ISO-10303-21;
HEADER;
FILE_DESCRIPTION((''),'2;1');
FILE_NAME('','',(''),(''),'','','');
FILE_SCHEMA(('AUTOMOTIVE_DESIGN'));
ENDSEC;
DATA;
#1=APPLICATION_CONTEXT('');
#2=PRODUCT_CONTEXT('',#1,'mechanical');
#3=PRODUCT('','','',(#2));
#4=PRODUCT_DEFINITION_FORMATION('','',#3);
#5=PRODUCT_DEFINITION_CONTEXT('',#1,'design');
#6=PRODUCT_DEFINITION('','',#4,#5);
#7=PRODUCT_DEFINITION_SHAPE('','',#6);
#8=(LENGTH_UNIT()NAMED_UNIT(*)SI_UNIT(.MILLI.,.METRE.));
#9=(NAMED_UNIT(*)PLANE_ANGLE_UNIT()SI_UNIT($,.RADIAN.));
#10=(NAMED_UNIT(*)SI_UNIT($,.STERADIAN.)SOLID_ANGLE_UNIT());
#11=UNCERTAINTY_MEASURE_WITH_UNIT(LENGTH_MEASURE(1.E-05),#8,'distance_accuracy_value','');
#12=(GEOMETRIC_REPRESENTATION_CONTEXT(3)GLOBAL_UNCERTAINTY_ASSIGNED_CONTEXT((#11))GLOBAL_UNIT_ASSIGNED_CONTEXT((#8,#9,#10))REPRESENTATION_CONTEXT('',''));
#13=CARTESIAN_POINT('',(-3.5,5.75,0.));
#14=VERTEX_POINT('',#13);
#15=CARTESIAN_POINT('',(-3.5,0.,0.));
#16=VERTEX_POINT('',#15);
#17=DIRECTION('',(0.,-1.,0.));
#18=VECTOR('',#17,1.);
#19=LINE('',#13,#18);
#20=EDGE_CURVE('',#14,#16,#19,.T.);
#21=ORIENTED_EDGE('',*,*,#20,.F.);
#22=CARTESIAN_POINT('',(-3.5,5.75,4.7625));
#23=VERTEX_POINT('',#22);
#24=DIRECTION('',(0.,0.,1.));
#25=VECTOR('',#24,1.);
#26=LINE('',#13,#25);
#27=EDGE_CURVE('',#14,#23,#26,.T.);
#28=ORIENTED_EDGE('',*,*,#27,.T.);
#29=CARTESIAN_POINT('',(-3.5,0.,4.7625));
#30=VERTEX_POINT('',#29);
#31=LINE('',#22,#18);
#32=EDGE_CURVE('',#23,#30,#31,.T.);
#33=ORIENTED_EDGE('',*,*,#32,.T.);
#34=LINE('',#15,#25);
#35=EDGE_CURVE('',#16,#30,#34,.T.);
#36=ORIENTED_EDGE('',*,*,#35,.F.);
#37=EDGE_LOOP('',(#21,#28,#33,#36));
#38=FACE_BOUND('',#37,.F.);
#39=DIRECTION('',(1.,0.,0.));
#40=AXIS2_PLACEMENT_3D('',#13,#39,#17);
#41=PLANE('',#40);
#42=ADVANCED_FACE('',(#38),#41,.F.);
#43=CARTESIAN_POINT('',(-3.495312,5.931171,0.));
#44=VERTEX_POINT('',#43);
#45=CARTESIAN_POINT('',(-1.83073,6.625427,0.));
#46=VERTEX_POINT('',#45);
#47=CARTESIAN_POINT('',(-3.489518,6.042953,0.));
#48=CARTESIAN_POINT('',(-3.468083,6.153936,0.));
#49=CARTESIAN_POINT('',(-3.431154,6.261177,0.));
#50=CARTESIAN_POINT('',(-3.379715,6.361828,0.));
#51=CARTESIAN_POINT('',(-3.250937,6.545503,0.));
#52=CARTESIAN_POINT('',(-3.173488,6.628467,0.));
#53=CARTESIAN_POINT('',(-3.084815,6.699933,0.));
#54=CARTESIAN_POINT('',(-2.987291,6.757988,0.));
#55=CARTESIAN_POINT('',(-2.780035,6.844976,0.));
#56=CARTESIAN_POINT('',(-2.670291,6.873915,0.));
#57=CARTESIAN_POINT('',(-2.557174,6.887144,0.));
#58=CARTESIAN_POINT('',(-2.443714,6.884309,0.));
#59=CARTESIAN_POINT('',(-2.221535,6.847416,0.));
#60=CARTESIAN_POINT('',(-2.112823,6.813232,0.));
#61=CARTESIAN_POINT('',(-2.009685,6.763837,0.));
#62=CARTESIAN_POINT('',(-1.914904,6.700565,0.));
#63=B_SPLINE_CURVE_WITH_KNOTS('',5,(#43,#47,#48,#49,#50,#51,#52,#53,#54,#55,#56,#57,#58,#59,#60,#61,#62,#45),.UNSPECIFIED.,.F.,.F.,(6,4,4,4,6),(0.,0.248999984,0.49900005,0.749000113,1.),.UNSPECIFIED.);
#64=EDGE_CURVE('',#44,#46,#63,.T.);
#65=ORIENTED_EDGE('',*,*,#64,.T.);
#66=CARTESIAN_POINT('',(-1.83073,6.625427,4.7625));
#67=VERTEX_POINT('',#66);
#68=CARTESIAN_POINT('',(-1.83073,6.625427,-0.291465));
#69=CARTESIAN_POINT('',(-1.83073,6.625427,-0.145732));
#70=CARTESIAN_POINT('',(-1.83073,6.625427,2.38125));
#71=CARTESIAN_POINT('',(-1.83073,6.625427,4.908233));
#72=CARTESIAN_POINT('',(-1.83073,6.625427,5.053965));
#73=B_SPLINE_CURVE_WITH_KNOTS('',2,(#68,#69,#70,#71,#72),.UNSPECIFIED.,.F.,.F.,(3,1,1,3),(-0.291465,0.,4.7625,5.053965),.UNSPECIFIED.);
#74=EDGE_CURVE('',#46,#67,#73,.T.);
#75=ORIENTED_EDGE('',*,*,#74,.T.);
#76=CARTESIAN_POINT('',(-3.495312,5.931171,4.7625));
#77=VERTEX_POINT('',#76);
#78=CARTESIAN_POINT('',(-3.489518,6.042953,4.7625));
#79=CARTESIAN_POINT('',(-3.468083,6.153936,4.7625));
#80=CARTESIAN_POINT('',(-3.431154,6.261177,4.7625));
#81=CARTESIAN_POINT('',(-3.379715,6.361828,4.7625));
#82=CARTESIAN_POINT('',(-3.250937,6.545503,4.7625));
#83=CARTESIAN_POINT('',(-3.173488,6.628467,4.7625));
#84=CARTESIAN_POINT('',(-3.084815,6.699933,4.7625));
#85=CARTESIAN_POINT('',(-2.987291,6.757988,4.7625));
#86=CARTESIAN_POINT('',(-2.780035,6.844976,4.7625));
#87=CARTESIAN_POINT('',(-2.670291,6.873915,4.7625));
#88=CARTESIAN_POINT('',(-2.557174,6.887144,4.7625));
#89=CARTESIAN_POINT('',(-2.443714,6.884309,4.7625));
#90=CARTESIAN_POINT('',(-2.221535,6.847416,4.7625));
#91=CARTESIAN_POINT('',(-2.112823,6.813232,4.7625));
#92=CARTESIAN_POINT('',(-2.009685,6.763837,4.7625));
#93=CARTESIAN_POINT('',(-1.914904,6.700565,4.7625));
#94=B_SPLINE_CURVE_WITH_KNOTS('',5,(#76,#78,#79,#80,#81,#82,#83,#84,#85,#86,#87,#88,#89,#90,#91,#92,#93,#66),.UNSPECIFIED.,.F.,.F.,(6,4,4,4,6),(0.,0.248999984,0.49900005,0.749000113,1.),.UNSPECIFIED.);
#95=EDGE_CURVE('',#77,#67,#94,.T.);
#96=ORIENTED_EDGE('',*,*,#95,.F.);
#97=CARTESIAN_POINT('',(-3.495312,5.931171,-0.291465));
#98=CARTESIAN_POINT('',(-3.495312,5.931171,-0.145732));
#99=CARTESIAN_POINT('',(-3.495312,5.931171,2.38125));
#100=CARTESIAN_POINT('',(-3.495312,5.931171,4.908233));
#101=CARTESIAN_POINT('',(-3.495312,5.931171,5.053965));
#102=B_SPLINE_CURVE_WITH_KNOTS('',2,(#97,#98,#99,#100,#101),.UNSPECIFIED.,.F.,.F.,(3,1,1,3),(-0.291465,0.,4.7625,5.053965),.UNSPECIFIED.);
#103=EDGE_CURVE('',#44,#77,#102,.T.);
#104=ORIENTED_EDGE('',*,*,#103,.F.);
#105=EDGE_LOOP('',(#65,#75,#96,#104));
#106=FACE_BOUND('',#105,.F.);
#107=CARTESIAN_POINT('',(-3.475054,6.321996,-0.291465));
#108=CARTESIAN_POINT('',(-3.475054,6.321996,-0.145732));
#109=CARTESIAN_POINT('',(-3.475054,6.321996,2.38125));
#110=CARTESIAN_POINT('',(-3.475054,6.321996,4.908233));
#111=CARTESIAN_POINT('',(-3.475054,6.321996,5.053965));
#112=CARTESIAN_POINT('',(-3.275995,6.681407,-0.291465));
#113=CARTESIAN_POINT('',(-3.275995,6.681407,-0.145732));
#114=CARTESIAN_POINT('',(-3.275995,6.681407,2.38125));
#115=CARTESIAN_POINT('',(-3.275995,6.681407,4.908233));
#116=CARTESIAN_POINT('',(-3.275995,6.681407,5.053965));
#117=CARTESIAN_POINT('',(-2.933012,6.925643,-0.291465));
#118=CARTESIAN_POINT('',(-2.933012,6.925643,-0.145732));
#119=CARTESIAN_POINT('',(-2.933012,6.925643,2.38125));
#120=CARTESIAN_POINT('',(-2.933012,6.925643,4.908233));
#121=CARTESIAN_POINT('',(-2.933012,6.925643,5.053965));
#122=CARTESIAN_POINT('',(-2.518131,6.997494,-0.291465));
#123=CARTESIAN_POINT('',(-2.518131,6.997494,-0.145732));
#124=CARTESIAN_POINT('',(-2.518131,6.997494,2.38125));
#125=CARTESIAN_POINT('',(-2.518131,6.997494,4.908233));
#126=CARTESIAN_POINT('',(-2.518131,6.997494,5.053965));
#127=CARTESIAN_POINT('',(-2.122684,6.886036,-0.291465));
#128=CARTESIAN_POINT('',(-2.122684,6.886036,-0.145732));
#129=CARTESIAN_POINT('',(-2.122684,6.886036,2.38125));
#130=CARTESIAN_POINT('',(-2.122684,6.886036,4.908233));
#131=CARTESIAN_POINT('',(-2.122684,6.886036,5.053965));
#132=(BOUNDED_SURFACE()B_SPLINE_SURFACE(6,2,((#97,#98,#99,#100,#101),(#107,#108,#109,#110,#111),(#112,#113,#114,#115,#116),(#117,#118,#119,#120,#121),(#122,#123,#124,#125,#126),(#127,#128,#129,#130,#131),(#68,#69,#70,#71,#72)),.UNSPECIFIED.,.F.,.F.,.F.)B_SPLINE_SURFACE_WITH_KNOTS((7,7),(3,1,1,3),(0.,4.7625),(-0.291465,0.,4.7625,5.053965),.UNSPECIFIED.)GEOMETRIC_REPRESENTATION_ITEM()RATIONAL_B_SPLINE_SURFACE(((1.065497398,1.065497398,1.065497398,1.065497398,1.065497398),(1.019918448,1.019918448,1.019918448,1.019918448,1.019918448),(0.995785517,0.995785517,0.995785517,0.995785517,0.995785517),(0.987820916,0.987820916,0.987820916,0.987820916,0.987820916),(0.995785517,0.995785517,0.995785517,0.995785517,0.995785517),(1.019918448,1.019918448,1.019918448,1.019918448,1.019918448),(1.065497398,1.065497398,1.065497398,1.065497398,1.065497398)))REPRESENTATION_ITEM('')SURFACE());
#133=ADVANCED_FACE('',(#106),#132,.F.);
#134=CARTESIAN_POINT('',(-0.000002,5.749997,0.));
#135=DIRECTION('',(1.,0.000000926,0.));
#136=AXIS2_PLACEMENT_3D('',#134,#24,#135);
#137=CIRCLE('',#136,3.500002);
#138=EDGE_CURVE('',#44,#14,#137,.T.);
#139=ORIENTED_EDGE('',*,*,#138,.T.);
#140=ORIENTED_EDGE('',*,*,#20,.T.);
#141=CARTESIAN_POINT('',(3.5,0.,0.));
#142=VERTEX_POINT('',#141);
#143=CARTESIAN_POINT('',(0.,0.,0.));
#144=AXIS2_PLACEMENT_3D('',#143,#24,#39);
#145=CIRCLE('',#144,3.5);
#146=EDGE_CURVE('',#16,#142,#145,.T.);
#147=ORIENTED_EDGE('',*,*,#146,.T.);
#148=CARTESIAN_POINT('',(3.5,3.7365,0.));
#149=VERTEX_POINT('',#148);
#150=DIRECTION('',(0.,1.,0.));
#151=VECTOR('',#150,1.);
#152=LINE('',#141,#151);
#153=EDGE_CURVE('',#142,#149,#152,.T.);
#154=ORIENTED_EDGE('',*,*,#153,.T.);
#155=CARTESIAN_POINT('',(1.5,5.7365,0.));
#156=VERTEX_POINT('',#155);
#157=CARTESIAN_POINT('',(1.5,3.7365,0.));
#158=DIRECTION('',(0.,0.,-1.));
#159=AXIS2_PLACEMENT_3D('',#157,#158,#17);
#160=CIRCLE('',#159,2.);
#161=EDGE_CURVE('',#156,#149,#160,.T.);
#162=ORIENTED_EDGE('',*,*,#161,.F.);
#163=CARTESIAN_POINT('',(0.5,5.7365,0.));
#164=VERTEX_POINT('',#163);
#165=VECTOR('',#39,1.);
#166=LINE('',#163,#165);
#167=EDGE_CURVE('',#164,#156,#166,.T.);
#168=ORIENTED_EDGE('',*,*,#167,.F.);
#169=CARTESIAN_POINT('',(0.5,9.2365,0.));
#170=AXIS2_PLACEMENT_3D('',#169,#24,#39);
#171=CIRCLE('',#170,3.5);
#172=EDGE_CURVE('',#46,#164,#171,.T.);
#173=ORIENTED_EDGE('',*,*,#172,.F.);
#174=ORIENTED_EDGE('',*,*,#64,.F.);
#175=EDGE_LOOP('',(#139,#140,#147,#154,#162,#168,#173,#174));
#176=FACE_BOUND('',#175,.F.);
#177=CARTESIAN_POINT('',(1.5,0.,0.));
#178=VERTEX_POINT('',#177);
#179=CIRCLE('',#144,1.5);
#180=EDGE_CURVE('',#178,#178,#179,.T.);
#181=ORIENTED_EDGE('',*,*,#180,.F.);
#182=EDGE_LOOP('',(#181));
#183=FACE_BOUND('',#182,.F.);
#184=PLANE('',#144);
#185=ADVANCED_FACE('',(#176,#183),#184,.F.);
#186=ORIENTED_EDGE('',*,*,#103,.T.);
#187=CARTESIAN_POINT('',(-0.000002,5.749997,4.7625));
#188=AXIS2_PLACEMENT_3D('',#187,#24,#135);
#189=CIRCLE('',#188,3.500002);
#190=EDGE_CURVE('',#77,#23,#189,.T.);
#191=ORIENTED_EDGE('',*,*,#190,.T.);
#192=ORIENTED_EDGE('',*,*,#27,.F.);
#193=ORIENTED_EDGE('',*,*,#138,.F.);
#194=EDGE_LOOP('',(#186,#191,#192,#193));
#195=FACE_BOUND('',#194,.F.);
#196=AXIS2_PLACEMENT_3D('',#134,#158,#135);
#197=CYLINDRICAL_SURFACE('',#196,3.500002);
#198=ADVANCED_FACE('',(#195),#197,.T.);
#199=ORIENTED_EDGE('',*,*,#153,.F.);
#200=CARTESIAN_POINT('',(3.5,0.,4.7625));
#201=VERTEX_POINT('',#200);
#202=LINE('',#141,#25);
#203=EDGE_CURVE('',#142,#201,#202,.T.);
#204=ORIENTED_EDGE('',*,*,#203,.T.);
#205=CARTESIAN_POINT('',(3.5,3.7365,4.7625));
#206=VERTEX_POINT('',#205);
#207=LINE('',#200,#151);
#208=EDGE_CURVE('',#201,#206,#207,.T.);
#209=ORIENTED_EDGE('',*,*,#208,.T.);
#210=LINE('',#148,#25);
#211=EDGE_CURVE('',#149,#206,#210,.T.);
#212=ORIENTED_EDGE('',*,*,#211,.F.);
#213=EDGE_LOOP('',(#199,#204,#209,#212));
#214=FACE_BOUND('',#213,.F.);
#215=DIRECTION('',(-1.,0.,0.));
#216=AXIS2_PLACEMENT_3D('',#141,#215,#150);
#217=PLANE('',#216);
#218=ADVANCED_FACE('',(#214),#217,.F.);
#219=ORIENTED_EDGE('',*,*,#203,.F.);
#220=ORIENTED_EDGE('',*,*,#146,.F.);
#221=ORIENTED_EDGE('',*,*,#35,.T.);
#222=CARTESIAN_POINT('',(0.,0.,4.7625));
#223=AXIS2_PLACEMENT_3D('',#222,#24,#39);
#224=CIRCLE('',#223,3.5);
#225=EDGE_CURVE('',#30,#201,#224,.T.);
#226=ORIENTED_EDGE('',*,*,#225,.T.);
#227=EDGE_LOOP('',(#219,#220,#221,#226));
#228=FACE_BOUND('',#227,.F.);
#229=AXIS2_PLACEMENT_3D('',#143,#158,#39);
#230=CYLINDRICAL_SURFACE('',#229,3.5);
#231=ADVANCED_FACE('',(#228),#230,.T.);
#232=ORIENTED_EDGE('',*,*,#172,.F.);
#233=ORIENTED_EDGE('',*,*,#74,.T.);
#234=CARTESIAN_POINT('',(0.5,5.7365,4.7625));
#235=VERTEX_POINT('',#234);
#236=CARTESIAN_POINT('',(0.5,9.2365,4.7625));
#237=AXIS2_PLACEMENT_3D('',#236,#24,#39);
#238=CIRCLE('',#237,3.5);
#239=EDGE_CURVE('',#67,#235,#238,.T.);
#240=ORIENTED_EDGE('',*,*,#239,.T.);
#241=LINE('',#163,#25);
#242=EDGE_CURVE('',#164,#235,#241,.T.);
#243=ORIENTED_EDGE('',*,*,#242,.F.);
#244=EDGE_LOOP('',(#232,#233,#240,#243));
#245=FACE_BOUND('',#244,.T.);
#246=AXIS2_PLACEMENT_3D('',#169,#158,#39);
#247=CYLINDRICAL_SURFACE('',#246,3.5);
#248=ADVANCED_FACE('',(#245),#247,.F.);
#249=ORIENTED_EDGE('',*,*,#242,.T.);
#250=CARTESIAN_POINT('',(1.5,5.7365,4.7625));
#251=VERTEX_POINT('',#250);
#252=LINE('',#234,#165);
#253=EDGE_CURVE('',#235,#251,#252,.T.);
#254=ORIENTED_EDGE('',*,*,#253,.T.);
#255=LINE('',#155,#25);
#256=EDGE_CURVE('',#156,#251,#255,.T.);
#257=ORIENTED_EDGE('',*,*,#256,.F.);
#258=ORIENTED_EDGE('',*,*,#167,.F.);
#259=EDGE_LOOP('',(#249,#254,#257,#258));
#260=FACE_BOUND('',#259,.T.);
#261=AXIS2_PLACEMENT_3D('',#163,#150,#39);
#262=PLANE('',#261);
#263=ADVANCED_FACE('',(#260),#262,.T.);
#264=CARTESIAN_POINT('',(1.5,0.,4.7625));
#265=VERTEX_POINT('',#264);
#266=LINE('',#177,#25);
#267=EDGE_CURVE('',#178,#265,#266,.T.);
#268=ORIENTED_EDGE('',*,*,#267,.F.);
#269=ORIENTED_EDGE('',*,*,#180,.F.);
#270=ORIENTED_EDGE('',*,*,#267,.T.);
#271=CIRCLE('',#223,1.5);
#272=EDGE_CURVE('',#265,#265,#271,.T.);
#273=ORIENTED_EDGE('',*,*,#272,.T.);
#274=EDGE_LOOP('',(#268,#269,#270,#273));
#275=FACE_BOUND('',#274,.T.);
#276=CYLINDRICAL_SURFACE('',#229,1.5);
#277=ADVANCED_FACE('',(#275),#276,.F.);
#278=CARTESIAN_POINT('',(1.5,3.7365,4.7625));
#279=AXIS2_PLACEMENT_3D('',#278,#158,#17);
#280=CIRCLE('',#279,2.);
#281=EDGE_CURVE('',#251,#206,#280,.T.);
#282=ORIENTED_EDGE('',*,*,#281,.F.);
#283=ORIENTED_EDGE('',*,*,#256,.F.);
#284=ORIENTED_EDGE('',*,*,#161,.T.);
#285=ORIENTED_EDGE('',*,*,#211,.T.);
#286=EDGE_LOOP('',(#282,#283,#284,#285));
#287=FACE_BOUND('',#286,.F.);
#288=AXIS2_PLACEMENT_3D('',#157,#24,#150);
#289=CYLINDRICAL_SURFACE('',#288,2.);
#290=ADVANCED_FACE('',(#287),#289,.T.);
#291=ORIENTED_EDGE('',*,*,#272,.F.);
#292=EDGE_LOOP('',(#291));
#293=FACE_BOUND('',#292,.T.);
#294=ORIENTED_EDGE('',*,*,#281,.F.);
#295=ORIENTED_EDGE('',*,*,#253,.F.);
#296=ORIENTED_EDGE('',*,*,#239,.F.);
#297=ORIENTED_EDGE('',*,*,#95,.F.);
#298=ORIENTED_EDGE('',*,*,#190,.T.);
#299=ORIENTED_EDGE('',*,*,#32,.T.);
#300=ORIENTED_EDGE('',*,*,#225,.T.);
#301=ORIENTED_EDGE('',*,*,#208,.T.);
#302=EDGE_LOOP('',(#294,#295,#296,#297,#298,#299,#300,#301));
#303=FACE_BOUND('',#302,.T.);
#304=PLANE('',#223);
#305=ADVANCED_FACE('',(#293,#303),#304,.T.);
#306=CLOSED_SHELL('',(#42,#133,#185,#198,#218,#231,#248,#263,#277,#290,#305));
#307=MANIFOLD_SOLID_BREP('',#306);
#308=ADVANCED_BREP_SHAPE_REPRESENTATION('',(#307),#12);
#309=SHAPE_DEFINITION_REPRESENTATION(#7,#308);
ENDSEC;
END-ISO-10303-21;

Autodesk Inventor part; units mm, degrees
ref_plane "YZ Plane" through (0, 0, 0) normal (1, 0, 0) x (0, 1, 0)
ref_plane "XZ Plane" through (0, 0, 0) normal (0, 1, 0) x (-1, 0, 0)
ref_plane "XY Plane" through (0, 0, 0) normal (0, 0, 1) x (1, 0, 0)
sketch "Sketch1" plane through (0, 0, 0) normal (0, 0, 1) x (1, 0, 0)
  circle A0 centre (0, 0) radius 1.5
  circle A1 centre (0, 0) radius 3.5
  circle A2 centre (0, 0) radius 5.75 construction
  line L0 (0, 0) -> (0, 5.75) construction
  circle A3 centre (0.5, 9.2365) radius 3.5
  line L1 (0, 0) -> (0, 5.75) construction
  line L2 (3.5, 0) -> (3.5, 5.75)
  line L3 (-3.5, 5.75) -> (-3.5, 0)
  arc A4 (-3.5, 0) -> (3.5, 0) centre (0, 0) ccw
  arc A5 (3.5, 5.75) -> (-1.9961, 2.875) centre (0, 5.75) ccw
  arc A6 (-3.4062, 0.805) -> (-3.4062, 4.945) centre (-12.1649, 2.875) ccw
  line L4 (0.5, 5.7365) -> (3.5, 5.7365)
  point P0 (0, 2.875)
  point P1 (-3.4345, 6.424)
  point P2 (3.5, 0)
  point P3 (3.244, 7.0639)
  point P4 (-3.5, 0)
  point P5 (-2.744, 7.9226)
  dimension "d2" = 11.5
  dimension "d3" = 7
  dimension "d0" = 3
  dimension "d1" = 7
  dimension "d4" = 3.5
  dimension "d9" = 0.5
  dimension "d10" = 9
extrude "Extrusion1" add sketch "Sketch1" along normal blind 4.7625 contours A1 | A1 A5 A3 L4 L2 | A1 A6 A5 | L3 A5 A6 A1
fillet "Fillet1" radius 1 1 edges at (-2.744, 7.9226, 2.3813)
fillet "Fillet2" radius 2 1 edges at (3.5, 5.7365, 2.3813)
sketch "Sketch2" plane through (0, 0, 0) normal (0, 0, -1) x (-1, 0, 0)
  line L0 (-3.5, 0) -> (-3.5, 3.7365) projected
  arc A0 (-3.5, 0) -> (3.5, 0) centre (0, 0) ccw projected
  circle A1 centre (0, 0) radius 1.5 projected
  circle A2 centre (0, 0) radius 6.0263 construction
  arc A3 (3.4953, 5.9311) -> (1.8307, 6.6254) centre (2.4966, 5.8794) ccw projected
  arc A4 (-0.5, 5.7365) -> (1.8307, 6.6254) centre (-0.5, 9.2365) ccw projected
  line L1 (3.5, 5.75) -> (3.5, 0) projected
  line L2 (-1.5, 5.7365) -> (-0.5, 5.7365) projected
  arc A5 (-1.5, 5.7365) -> (-3.5, 3.7365) centre (-1.5, 3.7365) ccw projected
  arc A6 (-1.5, 5.7365) -> (-3.5, 3.7365) centre (-1.5, 3.7365) ccw projected
  arc A7 (3.5, 5.75) -> (3.4953, 5.9311) centre (0, 5.75) ccw projected
equation "\"d4\" = 0.5 * d1"
properties part number "Cam - Lever" material "Nylon 6/6"
